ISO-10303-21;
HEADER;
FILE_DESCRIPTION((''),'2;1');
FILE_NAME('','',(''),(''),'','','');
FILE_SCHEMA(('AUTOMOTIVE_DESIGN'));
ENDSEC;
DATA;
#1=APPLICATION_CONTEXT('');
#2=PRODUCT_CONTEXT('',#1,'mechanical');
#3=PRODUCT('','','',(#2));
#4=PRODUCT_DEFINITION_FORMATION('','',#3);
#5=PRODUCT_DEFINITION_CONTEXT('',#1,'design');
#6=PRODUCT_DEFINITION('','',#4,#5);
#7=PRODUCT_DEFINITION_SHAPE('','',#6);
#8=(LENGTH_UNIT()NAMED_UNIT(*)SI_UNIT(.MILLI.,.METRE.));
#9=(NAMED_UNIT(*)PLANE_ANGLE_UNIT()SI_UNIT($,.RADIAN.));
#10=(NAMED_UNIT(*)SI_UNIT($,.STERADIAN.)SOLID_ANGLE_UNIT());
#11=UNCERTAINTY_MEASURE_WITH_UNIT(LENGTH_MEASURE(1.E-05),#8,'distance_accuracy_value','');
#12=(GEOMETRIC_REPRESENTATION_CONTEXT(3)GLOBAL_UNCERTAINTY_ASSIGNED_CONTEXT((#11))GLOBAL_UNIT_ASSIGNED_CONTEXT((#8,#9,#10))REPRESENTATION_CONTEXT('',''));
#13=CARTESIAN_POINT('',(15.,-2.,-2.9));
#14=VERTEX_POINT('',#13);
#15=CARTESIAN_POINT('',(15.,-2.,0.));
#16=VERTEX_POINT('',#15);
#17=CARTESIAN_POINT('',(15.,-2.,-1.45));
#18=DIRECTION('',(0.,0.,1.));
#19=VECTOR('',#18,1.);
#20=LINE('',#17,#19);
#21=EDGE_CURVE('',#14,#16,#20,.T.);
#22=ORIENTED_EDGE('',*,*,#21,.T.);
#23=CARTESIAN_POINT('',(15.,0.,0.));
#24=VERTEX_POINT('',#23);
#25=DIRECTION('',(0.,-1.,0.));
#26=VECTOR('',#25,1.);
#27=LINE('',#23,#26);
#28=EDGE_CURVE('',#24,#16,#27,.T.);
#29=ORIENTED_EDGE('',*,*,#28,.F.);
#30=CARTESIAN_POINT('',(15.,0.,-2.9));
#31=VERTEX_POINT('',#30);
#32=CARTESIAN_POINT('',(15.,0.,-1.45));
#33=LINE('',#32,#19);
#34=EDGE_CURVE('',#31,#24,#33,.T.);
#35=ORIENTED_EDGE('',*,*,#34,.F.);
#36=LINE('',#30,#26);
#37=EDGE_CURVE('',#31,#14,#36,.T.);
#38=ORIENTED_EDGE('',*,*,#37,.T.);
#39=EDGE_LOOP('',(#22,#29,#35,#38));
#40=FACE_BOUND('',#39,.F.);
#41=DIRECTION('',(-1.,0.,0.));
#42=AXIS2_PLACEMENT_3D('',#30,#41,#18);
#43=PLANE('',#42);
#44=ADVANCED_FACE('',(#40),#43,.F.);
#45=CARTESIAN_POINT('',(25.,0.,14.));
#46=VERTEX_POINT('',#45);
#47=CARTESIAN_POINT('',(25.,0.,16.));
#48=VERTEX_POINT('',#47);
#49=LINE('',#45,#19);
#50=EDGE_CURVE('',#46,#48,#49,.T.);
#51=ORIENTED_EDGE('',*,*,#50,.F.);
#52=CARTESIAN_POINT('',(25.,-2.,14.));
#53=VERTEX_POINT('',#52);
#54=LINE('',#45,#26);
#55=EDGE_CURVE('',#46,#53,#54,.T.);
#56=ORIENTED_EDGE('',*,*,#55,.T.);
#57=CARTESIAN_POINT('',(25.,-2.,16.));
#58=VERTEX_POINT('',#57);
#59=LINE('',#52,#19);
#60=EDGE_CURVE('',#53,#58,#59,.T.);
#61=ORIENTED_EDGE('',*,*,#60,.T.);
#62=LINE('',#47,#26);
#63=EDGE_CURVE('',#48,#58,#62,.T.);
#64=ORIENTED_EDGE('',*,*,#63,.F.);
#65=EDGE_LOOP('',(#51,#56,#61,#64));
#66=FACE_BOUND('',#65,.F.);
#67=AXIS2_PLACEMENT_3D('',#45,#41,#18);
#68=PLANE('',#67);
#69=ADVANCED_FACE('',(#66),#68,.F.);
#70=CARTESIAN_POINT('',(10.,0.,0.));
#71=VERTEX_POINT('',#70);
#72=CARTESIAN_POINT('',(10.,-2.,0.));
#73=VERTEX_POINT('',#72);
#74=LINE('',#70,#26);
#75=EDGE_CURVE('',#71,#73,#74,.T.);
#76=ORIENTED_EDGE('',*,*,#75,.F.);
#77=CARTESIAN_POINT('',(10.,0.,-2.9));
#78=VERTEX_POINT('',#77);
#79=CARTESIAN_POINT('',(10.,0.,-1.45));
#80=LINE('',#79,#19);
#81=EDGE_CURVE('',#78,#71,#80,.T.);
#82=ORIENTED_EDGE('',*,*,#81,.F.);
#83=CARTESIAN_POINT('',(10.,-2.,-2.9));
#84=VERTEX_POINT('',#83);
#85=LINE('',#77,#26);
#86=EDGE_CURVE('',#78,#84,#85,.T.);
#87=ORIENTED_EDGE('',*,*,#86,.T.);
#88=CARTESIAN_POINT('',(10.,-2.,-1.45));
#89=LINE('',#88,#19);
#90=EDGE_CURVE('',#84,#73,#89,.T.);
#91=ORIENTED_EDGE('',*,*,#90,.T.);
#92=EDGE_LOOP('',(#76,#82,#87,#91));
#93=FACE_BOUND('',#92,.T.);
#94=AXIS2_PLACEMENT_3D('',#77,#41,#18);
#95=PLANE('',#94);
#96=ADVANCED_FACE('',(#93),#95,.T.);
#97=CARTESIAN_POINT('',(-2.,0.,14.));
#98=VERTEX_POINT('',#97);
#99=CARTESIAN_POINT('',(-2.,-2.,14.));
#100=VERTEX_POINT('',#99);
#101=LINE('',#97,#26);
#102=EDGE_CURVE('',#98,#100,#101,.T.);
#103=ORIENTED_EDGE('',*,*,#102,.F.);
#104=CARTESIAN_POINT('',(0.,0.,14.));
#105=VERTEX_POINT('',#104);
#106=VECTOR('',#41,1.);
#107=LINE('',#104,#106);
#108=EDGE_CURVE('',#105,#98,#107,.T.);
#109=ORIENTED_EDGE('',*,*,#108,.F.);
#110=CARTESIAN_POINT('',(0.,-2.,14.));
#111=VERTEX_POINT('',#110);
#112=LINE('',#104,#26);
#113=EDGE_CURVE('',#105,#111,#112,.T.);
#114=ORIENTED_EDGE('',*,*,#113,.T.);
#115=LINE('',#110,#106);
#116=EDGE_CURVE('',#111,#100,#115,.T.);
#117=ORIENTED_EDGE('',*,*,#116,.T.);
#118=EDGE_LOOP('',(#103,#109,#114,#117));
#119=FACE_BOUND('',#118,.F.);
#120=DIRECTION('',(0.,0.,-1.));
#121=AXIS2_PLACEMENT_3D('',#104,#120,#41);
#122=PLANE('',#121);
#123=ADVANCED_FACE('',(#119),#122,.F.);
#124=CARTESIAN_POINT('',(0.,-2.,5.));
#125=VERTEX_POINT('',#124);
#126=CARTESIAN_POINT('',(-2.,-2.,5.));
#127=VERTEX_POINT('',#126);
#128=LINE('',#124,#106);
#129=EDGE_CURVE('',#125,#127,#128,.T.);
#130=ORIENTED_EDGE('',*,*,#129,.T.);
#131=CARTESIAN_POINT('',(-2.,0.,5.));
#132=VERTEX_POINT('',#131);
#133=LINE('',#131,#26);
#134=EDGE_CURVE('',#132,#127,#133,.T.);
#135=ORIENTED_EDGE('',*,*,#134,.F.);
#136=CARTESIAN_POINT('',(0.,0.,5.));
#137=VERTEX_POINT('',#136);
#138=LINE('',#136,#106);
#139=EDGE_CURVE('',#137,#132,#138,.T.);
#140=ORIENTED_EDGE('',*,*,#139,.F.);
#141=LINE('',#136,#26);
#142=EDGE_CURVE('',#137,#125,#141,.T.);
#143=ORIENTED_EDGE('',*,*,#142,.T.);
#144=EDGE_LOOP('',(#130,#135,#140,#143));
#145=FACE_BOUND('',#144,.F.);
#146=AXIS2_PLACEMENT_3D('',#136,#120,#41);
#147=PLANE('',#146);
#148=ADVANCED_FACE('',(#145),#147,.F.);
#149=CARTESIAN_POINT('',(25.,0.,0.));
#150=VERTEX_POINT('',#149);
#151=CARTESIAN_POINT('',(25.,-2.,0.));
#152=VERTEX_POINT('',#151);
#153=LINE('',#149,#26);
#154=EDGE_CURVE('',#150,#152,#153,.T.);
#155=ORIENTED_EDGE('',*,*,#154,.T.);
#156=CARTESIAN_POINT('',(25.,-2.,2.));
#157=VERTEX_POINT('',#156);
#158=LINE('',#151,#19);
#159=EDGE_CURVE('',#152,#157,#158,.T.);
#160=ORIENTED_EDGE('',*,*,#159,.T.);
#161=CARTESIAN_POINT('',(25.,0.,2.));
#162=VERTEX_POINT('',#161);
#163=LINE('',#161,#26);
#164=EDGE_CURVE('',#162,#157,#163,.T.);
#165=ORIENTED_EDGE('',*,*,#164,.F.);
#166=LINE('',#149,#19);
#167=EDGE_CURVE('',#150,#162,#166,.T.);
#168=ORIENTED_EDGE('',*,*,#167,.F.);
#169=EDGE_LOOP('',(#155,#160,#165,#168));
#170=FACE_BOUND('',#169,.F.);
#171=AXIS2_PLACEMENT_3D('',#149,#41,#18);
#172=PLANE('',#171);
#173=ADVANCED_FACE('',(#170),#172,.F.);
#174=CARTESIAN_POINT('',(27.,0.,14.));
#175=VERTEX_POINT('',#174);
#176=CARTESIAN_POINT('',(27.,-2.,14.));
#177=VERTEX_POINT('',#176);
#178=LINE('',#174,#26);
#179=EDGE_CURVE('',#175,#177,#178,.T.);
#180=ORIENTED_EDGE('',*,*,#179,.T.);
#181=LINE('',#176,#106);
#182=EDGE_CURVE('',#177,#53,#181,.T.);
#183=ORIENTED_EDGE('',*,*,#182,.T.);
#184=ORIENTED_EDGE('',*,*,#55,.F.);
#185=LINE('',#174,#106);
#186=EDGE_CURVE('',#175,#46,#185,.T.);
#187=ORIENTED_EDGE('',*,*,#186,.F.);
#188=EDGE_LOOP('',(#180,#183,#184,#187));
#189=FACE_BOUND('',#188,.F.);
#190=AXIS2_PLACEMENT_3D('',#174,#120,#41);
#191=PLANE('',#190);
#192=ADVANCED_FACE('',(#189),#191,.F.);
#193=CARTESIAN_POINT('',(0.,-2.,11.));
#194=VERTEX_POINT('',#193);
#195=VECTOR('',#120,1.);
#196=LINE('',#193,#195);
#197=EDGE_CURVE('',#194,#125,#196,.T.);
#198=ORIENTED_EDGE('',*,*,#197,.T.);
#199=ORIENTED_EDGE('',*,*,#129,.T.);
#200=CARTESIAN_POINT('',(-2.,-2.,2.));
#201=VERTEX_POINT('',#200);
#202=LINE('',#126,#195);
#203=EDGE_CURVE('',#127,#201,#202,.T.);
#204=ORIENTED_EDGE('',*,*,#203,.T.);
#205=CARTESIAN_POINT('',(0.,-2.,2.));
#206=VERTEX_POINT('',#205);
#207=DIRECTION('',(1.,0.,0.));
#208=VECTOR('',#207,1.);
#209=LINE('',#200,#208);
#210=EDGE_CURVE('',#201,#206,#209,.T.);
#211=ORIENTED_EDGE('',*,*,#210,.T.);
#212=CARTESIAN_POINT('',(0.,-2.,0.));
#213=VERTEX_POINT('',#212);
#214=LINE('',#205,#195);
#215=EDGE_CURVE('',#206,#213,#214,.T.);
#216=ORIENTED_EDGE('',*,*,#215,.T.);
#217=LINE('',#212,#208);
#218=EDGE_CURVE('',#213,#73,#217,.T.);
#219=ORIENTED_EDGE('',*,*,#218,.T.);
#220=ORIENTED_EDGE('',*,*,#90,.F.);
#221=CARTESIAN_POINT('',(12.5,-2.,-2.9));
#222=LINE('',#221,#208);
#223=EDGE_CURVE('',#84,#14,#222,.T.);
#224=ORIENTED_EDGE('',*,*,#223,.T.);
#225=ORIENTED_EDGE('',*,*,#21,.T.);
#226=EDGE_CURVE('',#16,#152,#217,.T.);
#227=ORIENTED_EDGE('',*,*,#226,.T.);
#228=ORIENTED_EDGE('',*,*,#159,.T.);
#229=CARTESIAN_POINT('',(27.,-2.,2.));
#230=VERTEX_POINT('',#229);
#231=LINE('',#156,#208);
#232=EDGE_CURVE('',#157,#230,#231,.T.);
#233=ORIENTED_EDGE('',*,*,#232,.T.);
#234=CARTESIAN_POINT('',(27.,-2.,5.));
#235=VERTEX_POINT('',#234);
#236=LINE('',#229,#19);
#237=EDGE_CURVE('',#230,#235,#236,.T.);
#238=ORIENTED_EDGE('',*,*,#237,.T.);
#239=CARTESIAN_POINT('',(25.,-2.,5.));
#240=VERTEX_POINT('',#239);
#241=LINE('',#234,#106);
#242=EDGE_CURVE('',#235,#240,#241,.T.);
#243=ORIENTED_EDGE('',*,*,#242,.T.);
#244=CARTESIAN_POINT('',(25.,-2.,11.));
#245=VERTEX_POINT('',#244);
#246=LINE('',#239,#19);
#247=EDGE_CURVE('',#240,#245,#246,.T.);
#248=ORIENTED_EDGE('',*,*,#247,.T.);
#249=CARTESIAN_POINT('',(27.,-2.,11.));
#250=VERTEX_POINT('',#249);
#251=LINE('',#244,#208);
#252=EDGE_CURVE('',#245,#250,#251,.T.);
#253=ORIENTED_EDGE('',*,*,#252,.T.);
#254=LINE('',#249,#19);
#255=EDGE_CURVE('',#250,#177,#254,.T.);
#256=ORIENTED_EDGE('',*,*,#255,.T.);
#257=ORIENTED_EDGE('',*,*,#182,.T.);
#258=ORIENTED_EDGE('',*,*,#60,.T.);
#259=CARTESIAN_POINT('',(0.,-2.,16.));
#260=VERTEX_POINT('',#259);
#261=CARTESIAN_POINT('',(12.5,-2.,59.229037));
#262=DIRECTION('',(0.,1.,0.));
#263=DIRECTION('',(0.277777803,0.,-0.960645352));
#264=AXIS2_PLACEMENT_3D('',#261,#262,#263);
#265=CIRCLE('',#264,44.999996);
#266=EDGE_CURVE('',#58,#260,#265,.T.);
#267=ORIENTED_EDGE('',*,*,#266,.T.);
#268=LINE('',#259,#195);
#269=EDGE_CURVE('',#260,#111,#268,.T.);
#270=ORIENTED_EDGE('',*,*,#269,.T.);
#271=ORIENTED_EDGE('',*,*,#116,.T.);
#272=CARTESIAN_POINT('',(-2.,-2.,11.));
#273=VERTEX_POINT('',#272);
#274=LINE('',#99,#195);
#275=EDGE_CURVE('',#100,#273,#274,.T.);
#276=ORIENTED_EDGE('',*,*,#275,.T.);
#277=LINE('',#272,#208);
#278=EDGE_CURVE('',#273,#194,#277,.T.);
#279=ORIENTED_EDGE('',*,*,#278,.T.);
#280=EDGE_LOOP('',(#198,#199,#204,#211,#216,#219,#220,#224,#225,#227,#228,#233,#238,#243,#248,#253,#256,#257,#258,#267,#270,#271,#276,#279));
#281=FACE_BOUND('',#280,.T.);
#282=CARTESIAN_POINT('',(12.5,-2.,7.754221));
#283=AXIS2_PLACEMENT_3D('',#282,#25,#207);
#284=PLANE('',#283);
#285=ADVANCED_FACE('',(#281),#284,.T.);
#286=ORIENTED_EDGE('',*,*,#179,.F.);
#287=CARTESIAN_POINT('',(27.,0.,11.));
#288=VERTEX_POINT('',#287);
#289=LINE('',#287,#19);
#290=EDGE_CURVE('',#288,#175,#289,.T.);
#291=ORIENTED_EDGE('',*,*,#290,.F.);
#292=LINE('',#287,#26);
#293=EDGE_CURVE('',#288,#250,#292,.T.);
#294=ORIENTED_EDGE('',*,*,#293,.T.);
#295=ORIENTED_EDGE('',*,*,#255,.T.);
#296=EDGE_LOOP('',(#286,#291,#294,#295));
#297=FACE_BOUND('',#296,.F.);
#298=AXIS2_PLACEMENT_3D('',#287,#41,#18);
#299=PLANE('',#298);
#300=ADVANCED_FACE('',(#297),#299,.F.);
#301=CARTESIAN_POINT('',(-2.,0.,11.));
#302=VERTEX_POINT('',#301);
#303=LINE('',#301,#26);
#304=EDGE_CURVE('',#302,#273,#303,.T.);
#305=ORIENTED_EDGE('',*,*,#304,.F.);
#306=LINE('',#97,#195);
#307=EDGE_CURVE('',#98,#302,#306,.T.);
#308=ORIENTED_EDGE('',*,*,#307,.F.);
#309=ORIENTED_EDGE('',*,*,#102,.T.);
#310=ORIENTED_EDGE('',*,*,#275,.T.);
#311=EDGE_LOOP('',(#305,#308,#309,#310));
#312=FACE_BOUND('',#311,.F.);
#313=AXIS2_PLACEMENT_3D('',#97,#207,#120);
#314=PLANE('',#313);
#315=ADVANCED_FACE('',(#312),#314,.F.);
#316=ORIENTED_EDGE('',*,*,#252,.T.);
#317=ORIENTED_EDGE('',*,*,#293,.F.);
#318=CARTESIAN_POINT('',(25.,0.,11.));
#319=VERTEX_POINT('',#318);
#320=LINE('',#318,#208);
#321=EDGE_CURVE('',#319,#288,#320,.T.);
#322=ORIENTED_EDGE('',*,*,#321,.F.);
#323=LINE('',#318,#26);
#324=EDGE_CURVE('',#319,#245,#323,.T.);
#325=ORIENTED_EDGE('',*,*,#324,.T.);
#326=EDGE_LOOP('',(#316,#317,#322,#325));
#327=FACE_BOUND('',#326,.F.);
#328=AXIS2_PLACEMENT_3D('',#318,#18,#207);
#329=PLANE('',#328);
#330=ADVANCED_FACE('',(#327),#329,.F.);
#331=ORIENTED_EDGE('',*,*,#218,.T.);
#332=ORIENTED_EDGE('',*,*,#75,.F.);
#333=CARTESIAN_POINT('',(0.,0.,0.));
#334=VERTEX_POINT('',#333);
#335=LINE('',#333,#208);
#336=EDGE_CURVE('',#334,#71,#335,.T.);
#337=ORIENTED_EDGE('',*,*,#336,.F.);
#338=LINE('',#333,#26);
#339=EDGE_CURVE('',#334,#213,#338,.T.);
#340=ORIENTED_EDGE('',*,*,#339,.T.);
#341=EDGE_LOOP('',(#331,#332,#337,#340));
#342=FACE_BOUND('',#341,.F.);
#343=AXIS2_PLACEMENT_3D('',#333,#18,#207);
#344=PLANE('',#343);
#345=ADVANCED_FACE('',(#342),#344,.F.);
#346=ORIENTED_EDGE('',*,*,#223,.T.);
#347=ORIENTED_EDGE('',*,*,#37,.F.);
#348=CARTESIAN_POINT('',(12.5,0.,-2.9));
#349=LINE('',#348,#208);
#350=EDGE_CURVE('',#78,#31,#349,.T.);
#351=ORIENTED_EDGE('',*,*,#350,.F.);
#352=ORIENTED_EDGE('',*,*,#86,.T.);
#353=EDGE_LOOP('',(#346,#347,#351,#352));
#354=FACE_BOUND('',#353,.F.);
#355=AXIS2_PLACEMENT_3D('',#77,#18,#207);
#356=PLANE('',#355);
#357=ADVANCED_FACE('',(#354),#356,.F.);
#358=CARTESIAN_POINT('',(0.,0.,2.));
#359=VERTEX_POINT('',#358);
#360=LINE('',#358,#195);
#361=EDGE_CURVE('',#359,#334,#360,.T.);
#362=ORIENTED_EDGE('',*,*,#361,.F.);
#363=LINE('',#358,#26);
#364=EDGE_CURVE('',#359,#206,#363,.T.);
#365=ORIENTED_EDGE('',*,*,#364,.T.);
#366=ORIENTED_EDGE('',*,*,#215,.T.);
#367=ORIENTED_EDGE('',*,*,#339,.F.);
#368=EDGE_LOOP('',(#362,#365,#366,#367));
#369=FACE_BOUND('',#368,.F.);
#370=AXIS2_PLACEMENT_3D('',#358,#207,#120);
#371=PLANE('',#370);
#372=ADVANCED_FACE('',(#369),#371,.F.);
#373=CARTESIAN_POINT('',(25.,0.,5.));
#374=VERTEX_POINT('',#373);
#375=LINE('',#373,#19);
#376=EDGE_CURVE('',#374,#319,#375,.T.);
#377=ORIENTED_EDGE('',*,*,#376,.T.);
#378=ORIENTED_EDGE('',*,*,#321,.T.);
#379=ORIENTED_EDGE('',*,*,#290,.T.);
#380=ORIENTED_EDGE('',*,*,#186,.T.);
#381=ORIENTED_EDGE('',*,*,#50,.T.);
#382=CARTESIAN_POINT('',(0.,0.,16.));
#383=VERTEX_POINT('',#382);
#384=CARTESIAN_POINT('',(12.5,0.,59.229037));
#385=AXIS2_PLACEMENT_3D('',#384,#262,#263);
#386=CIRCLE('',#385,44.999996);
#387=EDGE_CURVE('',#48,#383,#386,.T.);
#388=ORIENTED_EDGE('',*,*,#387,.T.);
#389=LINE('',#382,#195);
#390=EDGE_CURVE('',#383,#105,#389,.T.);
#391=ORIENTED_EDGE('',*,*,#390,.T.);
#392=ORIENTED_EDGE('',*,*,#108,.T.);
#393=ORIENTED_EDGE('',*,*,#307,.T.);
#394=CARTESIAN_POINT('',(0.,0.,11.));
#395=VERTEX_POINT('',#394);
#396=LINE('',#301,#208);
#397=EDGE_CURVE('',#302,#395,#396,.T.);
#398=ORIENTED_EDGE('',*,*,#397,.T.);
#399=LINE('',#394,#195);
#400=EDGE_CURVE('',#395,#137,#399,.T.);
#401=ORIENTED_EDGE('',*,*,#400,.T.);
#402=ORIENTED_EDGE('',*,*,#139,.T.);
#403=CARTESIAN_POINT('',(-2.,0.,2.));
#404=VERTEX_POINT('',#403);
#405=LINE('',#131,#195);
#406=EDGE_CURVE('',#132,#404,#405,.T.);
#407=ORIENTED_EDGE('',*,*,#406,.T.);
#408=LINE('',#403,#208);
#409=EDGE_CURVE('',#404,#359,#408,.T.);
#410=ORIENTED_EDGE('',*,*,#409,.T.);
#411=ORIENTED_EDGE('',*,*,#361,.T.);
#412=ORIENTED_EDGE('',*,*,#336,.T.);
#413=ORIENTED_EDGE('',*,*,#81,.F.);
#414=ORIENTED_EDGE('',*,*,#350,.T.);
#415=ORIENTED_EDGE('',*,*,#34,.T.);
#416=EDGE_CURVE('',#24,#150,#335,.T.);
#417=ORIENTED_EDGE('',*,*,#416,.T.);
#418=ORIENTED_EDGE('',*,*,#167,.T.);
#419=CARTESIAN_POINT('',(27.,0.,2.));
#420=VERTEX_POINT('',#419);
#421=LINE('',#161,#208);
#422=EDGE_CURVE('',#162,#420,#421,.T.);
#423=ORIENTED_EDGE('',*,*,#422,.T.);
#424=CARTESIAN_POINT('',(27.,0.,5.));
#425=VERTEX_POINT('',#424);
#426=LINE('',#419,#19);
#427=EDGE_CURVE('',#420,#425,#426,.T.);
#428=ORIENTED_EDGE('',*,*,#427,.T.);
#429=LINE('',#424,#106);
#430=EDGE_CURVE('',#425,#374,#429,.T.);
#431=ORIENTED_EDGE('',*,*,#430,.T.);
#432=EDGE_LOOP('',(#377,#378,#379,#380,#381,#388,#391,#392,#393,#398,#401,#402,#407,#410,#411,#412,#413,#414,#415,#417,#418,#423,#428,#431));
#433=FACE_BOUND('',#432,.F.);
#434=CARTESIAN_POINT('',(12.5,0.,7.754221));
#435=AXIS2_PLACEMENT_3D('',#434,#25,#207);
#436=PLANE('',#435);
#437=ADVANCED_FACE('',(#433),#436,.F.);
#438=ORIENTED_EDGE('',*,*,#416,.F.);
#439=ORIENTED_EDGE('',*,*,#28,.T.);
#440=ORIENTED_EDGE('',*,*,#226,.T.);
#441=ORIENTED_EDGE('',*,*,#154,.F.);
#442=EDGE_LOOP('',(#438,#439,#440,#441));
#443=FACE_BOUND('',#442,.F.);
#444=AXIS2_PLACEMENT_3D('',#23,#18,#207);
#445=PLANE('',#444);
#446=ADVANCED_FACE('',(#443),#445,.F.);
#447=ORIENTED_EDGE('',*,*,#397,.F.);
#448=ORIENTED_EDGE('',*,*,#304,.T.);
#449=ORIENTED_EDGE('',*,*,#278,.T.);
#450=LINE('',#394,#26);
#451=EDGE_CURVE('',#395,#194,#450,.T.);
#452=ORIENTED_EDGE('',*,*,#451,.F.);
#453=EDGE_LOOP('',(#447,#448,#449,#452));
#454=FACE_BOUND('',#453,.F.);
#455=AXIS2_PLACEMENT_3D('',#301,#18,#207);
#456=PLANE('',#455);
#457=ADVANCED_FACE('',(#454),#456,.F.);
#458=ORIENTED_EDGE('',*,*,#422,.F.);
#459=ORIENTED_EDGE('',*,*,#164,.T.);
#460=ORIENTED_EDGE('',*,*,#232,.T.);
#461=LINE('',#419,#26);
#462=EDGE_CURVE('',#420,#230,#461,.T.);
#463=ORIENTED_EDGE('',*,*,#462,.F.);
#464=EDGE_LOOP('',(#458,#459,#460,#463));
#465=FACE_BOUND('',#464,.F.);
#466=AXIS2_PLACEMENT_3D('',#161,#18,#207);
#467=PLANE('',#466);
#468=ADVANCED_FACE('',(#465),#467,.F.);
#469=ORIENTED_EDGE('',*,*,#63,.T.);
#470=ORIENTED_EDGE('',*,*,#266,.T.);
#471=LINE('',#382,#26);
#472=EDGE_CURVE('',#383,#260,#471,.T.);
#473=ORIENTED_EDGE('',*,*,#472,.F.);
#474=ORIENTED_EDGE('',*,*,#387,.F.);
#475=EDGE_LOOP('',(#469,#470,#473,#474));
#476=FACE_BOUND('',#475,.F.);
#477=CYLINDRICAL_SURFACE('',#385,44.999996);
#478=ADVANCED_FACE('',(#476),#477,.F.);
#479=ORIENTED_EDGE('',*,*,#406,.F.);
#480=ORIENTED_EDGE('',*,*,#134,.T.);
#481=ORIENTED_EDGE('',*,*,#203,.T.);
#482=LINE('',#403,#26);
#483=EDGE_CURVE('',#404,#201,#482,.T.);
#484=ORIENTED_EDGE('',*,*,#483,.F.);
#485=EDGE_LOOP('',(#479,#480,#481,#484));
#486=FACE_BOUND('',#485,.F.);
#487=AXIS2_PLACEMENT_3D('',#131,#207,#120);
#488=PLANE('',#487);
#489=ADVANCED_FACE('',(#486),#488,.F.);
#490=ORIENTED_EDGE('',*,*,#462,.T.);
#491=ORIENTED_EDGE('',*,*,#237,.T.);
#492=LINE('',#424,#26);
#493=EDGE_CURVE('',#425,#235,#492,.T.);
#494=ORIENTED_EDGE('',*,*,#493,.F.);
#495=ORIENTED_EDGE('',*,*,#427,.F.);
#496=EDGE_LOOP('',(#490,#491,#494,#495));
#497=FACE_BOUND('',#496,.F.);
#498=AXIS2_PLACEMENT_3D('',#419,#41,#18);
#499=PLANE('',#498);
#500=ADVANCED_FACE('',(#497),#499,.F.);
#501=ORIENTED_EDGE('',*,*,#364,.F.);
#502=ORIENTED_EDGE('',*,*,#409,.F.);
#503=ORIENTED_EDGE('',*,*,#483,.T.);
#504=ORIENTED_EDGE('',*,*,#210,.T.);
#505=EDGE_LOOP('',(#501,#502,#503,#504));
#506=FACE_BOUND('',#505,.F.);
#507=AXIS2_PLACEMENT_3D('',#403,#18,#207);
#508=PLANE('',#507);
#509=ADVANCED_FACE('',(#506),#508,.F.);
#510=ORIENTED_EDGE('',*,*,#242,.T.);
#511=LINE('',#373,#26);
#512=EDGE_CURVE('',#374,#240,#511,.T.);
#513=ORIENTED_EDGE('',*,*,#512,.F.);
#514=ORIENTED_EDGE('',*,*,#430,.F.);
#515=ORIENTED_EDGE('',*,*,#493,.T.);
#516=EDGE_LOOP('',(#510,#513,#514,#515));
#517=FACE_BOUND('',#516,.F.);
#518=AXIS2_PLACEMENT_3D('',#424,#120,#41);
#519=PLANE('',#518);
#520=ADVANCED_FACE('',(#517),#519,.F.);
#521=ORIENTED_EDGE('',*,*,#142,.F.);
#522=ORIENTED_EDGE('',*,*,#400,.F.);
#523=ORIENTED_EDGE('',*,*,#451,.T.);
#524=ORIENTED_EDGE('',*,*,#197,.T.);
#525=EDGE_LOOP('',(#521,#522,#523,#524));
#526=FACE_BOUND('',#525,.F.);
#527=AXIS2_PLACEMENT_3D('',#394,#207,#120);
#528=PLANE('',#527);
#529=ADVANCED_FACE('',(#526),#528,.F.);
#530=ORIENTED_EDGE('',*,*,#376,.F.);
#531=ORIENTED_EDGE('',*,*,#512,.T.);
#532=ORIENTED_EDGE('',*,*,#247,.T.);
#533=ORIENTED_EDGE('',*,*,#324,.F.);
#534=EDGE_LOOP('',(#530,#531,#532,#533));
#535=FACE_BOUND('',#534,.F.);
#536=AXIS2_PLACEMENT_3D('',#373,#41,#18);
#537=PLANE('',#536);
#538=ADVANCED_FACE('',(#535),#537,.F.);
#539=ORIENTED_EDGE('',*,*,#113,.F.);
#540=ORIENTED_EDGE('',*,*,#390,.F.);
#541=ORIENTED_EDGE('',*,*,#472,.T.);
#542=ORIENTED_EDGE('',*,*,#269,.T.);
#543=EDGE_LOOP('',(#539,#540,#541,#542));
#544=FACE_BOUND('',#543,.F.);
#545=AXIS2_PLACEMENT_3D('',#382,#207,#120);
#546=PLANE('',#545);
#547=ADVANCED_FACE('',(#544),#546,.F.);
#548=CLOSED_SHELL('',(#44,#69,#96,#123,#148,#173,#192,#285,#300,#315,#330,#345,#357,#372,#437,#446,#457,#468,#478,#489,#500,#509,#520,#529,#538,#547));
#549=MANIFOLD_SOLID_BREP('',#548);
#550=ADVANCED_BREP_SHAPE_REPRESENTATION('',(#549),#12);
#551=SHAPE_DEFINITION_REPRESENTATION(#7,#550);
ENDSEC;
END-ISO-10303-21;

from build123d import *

# Parameters (mm, degrees)
F0_W     = 5
F0_H     = 2.9
F1_DEPTH = 2


with BuildPart() as f1:
    # F0 (on Front) → F1 (new body)
    with BuildSketch(Plane.XZ):
        with BuildLine():
            Line((0, 2), (0, 0))
            Line((0, 0), (10, 0))
            Line((10, 0), (15, 0))
            Line((15, 0), (25, 0))
            Line((25, 0), (25, 2))
            Line((25, 2), (27, 2))
            Line((27, 2), (27, 5))
            Line((27, 5), (25, 5))
            Line((25, 5), (25, 11))
            Line((25, 11), (27, 11))
            Line((27, 11), (27, 14))
            Line((27, 14), (25, 14))
            Line((25, 14), (25, 16))
            ThreePointArc((25, 16), (12.5, 14.229041), (0, 16))
            Line((0, 16), (0, 14))
            Line((0, 14), (-2, 14))
            Line((-2, 14), (-2, 11))
            Line((-2, 11), (0, 11))
            Line((0, 11), (0, 5))
            Line((0, 5), (-2, 5))
            Line((-2, 5), (-2, 2))
            Line((-2, 2), (0, 2))
        make_face()
        with Locations((12.5, -1.45)):
            Rectangle(F0_W, F0_H)
    extrude(amount=F1_DEPTH)


solid = f1.part
